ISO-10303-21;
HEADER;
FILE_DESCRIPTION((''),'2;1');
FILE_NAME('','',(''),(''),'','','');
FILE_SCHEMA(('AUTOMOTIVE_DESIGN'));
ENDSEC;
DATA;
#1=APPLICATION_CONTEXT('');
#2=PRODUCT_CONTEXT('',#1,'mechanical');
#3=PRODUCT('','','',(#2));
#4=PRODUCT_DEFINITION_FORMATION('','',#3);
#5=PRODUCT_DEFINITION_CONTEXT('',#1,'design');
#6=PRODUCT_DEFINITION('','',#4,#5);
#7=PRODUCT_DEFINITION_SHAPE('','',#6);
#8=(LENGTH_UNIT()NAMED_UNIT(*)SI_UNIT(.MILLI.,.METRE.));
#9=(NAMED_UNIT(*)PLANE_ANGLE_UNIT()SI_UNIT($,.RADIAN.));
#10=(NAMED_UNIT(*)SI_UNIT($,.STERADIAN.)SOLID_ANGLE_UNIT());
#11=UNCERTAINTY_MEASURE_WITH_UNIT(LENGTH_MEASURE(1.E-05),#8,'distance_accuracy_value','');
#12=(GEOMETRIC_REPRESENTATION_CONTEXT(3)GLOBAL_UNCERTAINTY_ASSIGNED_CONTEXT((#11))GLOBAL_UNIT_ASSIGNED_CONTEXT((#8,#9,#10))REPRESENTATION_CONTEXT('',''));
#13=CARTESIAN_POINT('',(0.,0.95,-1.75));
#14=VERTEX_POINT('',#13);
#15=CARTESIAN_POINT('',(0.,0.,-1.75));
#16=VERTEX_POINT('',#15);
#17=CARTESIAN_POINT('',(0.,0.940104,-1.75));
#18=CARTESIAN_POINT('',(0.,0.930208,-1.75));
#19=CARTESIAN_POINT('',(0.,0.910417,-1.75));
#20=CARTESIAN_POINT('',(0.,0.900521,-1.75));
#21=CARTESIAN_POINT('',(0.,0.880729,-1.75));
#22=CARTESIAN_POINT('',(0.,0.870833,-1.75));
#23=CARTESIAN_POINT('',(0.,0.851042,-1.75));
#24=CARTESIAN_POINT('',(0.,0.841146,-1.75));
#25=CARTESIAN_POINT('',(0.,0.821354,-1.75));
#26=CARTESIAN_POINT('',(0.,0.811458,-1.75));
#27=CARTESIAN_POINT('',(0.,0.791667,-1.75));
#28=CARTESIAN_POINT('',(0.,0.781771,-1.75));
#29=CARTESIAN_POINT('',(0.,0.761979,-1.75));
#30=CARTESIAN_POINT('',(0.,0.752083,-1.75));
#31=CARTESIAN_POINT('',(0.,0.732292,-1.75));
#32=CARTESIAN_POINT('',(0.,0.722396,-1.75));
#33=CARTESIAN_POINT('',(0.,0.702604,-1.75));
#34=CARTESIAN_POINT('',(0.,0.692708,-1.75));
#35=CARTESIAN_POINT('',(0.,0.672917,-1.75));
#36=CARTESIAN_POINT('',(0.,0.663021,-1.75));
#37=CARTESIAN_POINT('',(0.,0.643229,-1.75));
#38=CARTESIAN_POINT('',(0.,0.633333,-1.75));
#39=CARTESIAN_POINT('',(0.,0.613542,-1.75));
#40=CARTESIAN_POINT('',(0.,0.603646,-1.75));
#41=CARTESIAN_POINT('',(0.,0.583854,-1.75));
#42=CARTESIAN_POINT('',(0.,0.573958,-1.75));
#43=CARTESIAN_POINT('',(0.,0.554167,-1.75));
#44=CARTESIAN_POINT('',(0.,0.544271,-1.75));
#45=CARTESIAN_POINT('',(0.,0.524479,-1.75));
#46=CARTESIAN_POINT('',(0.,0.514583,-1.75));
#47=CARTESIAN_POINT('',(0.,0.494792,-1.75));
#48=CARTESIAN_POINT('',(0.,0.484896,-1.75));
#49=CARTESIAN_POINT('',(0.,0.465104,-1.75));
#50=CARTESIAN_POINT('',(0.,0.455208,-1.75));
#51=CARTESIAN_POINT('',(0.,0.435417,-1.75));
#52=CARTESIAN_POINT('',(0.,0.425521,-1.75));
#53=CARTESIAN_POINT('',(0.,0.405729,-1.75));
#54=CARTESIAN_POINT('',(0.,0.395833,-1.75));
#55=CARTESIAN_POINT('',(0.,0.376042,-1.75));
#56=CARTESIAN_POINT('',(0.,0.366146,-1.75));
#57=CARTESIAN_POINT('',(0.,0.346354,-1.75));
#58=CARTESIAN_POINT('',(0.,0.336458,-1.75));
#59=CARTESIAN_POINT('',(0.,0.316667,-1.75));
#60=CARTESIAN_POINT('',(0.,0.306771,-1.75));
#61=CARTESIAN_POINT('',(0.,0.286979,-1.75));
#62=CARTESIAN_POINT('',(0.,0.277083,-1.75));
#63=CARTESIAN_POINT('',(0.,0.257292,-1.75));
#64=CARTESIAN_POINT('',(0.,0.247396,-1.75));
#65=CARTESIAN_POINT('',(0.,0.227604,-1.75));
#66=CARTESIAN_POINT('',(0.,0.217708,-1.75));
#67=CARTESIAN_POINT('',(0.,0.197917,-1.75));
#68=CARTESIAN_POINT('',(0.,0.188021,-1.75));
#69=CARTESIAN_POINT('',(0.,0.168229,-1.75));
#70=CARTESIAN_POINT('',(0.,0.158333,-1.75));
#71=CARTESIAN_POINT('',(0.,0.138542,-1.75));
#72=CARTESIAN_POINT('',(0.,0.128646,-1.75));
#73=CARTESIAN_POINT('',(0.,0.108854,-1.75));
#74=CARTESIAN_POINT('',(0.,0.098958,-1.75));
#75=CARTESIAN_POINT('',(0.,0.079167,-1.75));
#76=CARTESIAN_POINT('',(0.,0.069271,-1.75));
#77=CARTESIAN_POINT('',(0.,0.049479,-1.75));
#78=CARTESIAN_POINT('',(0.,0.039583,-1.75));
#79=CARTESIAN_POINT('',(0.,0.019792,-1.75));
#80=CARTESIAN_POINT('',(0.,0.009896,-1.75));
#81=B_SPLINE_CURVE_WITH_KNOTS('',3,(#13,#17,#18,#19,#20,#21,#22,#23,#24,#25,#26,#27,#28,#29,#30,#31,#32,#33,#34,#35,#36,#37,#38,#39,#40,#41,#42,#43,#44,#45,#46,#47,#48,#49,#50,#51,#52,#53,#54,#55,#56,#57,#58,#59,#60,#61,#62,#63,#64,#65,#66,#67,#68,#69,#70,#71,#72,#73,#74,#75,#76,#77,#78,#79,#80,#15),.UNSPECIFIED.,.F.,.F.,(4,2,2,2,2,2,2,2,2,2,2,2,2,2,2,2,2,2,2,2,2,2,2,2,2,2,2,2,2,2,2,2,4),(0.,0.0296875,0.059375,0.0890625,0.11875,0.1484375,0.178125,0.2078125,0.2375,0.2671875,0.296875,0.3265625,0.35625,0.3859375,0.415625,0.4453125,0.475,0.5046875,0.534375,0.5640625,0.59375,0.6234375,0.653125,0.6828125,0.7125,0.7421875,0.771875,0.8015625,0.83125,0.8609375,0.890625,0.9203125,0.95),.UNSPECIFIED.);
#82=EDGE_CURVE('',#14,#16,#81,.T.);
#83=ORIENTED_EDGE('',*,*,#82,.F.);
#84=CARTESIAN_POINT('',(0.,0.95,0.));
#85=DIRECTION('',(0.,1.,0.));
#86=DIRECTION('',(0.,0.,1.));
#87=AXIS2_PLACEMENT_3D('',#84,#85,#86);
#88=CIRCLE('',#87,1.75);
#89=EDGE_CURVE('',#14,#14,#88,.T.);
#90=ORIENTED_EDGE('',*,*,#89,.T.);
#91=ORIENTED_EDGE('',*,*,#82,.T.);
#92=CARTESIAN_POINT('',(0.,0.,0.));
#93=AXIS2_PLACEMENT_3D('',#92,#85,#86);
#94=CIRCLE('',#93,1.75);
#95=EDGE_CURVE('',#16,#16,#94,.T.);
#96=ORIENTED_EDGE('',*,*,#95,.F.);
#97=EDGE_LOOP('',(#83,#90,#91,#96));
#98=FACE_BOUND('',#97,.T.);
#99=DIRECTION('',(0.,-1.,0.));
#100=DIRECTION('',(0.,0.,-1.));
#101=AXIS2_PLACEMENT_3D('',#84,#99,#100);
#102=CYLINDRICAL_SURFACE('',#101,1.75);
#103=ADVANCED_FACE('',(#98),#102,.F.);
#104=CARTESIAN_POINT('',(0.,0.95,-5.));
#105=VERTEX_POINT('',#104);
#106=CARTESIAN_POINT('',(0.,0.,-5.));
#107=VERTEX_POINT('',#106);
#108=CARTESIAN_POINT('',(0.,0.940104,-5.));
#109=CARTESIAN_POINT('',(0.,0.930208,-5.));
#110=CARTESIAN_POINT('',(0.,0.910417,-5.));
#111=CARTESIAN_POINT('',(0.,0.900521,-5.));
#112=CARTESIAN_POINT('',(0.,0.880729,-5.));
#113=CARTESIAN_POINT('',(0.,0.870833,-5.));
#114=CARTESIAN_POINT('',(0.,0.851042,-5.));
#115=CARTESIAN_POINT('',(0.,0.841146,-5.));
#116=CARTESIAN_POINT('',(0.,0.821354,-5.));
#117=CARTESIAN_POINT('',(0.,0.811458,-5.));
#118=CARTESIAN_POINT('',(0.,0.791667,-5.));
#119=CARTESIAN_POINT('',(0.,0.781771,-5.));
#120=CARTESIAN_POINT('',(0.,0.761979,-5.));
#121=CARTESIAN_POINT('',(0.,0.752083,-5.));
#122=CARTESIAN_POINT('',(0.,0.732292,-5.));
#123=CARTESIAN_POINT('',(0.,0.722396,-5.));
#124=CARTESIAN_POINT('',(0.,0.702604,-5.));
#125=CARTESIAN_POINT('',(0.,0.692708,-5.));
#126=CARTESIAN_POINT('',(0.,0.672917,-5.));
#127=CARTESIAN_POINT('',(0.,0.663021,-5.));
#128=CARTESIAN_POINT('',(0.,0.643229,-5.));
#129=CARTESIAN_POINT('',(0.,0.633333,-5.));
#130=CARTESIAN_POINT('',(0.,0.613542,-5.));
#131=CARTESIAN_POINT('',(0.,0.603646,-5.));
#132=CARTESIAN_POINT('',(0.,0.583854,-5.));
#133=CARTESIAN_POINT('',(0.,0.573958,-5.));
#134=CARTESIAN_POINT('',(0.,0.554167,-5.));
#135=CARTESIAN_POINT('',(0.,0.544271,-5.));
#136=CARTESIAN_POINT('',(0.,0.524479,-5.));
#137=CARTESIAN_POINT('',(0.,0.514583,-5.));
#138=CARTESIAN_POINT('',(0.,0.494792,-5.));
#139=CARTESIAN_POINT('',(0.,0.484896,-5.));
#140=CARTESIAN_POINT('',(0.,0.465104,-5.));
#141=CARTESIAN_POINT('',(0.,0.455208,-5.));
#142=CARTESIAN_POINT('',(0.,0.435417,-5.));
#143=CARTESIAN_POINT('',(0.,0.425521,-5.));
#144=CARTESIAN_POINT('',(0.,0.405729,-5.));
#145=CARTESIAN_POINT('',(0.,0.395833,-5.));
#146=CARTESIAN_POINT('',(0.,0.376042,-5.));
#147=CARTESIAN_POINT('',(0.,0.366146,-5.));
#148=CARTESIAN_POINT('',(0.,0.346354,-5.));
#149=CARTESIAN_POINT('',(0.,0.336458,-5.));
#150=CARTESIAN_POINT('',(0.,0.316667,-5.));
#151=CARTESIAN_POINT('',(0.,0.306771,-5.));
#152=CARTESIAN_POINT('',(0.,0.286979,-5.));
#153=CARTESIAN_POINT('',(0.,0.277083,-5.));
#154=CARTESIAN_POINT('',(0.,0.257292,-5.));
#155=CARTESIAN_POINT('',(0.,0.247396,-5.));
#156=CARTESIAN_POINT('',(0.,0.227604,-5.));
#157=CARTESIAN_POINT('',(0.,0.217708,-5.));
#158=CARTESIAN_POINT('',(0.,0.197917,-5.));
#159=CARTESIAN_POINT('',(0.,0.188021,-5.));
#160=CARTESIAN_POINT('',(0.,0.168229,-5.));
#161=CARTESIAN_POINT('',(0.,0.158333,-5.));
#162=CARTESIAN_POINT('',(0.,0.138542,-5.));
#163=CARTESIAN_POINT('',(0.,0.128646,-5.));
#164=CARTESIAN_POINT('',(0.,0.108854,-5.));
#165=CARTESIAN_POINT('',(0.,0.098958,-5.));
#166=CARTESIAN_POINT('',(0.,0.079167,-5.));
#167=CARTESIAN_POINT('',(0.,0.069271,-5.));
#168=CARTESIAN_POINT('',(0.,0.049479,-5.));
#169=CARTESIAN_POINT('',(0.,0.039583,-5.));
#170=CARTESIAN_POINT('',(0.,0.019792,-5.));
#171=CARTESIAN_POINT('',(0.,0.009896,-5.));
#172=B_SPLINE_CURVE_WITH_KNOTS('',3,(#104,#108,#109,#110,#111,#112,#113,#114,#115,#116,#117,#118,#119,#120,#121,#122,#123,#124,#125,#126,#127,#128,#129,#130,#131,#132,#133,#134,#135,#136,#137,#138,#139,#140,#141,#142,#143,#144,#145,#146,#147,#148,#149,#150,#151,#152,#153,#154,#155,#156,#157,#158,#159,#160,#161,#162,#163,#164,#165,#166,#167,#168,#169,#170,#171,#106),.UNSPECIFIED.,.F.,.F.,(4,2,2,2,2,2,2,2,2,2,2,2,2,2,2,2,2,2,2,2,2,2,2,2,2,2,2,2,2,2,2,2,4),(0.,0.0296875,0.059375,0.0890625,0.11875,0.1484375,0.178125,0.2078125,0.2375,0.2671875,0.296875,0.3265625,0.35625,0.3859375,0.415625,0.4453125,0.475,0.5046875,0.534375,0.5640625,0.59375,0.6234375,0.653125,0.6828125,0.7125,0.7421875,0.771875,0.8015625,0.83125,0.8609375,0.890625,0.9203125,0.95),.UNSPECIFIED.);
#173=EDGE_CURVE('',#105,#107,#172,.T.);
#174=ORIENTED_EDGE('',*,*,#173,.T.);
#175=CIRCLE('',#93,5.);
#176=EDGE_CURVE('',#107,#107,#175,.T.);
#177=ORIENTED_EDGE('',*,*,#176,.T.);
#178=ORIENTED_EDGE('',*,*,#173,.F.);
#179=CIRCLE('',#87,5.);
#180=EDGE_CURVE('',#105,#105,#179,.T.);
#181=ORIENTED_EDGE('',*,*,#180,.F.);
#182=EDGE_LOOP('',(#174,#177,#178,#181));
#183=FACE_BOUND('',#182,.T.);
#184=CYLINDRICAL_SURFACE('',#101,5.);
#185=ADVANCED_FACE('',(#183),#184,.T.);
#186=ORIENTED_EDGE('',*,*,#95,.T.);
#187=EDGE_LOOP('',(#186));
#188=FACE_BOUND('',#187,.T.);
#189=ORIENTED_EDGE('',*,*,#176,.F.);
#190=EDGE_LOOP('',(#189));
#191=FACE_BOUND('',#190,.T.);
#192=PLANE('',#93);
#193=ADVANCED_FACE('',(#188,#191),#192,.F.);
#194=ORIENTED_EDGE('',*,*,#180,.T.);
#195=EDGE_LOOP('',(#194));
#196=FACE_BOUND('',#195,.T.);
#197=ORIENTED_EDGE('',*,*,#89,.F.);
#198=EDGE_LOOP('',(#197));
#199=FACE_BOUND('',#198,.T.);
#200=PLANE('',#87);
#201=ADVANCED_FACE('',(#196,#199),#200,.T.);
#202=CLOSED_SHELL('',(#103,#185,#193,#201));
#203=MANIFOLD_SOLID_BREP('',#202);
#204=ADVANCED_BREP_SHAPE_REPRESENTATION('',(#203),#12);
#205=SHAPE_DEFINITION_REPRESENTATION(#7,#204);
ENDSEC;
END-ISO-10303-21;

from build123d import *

# Parameters (mm, degrees)
SKETCH1_R           = 5
SKETCH1_R_2         = 1.75
BOSS_EXTRUDE1_DEPTH = 0.95


with BuildPart() as part:
    # Sketch1 → Boss-Extrude1 (new body)
    with BuildSketch(Plane(origin=(0, 0, 0), x_dir=(1, 0, 0), z_dir=(0, 1, 0))):
        with Locations(Location((0, 0, 0), (0, 0, 90))):
            Circle(SKETCH1_R)
        with Locations(Location((0, 0, 0), (0, 0, 90))):
            Circle(SKETCH1_R_2, mode=Mode.SUBTRACT)
    extrude(amount=BOSS_EXTRUDE1_DEPTH)


solid = part.part
